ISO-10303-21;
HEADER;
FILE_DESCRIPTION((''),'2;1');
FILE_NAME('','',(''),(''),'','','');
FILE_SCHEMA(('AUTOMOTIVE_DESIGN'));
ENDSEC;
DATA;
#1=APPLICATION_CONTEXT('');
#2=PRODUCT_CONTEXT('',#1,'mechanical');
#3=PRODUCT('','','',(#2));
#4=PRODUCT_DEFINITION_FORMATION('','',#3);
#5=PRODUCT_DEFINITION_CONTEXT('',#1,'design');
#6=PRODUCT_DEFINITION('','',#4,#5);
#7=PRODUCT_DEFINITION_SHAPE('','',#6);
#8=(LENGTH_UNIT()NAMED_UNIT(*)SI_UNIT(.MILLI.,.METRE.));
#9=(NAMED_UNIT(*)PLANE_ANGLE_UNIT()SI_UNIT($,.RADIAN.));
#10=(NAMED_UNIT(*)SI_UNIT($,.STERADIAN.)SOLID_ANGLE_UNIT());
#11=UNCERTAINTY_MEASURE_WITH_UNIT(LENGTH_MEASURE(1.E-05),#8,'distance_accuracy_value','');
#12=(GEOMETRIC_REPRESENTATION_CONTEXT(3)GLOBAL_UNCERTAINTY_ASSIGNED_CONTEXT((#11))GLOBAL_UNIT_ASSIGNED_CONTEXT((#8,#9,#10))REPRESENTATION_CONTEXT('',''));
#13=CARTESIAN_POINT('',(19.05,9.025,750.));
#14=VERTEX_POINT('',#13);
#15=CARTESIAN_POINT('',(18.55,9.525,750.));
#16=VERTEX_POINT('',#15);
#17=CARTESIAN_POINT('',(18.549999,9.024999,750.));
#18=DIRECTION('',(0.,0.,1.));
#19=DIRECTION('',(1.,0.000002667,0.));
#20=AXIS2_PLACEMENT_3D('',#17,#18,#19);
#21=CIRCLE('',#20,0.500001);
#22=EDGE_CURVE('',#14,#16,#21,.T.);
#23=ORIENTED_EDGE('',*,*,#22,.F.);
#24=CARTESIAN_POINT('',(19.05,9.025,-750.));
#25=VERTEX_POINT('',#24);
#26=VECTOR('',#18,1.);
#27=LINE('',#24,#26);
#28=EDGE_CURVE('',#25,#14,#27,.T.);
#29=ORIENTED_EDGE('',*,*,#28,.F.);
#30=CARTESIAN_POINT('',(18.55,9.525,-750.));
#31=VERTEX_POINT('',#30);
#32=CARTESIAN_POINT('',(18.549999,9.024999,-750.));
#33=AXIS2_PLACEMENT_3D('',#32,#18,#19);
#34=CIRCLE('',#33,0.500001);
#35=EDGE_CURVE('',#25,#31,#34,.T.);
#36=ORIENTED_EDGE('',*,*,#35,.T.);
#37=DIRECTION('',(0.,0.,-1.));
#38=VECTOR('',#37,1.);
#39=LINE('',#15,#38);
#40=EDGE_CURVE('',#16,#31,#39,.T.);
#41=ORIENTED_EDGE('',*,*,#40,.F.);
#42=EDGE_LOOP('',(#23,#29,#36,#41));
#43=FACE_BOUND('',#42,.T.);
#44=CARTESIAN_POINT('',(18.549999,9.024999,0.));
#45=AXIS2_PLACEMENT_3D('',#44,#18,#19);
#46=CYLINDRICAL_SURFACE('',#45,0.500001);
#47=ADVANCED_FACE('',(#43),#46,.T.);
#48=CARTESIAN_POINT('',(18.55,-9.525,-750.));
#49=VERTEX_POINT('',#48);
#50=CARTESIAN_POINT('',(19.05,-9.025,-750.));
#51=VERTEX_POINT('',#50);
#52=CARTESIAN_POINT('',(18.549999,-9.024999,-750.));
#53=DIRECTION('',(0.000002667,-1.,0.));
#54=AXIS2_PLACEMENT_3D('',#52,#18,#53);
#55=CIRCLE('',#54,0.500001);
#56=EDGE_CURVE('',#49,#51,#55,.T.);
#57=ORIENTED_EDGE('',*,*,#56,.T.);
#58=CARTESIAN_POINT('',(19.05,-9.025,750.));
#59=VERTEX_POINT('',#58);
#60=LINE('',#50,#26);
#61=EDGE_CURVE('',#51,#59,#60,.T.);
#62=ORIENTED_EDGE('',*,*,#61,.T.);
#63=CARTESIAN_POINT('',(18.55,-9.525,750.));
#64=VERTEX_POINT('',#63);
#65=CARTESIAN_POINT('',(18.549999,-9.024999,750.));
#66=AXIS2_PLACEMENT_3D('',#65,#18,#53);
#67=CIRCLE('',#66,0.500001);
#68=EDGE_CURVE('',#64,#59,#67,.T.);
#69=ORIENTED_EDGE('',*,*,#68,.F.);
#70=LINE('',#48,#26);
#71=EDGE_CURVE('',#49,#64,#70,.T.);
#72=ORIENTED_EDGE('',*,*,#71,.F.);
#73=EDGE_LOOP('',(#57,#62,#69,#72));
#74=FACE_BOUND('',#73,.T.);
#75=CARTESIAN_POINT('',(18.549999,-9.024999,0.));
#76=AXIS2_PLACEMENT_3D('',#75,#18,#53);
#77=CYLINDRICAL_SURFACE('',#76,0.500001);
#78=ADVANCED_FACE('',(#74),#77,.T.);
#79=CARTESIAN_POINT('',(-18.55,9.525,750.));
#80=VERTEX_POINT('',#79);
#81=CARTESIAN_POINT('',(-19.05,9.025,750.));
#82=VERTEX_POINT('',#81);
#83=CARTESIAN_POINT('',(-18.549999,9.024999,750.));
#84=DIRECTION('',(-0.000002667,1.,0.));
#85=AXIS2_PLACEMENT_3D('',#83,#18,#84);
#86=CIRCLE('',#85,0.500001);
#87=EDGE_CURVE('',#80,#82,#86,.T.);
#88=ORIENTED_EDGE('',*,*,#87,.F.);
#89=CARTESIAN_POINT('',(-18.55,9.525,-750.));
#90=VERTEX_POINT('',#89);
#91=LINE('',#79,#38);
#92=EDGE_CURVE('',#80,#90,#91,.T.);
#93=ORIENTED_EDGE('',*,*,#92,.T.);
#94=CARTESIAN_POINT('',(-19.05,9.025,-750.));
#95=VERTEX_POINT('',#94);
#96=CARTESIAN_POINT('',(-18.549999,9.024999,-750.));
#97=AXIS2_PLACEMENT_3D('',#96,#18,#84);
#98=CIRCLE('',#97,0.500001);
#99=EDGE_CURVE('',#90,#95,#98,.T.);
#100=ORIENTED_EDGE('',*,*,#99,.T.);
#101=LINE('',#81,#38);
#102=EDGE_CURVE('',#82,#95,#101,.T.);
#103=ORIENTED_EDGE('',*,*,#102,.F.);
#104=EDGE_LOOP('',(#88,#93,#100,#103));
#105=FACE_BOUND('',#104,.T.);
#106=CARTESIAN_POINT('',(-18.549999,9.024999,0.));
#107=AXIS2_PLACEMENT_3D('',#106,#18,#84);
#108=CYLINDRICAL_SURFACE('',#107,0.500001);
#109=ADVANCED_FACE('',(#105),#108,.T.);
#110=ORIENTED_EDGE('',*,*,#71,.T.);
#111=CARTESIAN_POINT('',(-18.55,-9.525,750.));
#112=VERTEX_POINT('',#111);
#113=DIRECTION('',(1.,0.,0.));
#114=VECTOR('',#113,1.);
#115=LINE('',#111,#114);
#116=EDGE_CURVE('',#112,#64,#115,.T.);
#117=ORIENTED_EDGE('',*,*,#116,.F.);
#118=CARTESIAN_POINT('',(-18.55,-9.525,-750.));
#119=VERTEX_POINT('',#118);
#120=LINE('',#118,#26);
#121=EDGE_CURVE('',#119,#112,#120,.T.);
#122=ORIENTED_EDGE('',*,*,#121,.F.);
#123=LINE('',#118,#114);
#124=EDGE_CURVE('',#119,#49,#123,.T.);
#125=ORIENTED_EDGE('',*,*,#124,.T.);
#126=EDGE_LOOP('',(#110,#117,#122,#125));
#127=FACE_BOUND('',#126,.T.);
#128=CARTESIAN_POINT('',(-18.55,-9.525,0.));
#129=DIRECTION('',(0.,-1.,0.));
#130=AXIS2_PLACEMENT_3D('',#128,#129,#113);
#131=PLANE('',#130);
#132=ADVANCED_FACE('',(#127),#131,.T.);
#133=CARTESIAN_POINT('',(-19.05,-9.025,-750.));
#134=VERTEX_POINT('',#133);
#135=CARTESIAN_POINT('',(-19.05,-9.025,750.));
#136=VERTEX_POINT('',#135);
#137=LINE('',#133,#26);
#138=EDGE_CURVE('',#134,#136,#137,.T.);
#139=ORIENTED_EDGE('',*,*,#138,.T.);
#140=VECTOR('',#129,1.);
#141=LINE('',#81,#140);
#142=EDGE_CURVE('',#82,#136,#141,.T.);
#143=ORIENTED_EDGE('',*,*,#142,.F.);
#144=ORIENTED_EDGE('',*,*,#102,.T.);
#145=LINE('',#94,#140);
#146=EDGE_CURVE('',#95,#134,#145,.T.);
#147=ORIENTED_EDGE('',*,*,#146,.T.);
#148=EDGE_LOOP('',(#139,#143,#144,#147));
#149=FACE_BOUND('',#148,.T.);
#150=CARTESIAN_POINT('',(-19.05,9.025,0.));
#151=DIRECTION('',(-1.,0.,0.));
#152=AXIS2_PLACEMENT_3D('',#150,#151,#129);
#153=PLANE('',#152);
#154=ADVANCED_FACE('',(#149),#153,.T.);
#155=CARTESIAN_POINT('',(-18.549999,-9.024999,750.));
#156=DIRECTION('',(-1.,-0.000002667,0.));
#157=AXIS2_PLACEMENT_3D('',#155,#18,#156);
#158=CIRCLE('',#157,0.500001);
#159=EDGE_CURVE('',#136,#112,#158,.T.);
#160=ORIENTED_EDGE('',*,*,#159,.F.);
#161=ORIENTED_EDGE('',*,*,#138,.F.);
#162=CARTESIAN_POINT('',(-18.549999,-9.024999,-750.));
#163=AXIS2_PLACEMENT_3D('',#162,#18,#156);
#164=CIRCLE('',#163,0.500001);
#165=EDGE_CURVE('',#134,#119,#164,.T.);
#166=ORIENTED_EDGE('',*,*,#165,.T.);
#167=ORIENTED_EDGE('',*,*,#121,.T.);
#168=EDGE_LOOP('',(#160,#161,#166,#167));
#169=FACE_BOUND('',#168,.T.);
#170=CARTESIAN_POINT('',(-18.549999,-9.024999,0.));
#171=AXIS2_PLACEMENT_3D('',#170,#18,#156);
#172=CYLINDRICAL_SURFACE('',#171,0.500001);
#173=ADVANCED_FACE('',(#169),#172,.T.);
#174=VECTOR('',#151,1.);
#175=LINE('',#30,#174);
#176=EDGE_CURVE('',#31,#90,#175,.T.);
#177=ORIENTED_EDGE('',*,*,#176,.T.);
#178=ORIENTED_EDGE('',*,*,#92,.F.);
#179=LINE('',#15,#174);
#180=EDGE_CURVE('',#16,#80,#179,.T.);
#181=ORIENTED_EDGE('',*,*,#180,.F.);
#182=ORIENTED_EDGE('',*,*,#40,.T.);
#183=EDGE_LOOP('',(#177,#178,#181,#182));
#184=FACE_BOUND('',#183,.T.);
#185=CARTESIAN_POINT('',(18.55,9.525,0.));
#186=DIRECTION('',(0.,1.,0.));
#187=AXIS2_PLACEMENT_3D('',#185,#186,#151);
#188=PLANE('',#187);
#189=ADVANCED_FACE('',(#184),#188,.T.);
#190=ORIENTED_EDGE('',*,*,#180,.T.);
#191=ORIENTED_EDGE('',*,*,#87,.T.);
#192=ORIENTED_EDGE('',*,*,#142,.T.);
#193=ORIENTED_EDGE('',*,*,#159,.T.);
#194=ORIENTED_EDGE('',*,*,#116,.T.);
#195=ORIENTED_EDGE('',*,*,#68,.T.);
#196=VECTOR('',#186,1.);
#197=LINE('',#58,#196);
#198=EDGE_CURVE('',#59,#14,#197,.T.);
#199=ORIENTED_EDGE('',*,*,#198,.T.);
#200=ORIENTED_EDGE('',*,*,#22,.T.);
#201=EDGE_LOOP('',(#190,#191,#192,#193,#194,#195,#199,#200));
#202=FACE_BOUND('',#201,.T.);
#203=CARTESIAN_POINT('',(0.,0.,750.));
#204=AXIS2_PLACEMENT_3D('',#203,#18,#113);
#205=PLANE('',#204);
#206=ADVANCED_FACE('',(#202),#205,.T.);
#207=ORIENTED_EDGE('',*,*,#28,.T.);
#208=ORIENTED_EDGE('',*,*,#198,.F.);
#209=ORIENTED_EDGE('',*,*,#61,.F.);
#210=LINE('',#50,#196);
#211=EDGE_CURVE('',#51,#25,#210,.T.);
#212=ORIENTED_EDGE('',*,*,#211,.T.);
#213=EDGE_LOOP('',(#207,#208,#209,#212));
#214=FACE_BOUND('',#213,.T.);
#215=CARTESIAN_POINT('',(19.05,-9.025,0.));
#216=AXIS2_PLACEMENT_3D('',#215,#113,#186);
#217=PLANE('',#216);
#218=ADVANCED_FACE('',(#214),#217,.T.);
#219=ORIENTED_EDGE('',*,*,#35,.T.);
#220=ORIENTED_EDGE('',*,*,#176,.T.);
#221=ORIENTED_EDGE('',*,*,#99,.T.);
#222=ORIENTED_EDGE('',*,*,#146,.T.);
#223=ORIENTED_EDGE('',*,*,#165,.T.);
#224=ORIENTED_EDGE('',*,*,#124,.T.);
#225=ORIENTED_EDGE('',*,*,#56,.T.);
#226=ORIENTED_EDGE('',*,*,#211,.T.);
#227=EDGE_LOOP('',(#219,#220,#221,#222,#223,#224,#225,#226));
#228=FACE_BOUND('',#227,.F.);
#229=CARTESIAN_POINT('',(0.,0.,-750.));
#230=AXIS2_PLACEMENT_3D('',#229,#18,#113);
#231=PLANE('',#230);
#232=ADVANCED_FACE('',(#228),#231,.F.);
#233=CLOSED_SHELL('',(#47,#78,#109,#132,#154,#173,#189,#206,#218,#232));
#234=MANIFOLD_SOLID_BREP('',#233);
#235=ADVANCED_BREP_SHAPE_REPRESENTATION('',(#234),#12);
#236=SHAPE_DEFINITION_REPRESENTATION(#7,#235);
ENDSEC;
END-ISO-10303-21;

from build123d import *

# Parameters (mm, degrees)
PAD_DEPTH = 750


with BuildPart() as part:
    # Sketch → Pad (new body, symmetric)
    with BuildSketch(Plane.XY):
        with BuildLine():
            Line((-19.05, 9.025), (-19.05, -9.025))
            ThreePointArc((-19.05, -9.025), (-18.903553, -9.378553), (-18.55, -9.525))
            Line((-18.55, -9.525), (18.55, -9.525))
            ThreePointArc((18.55, -9.525), (18.903553, -9.378553), (19.05, -9.025))
            Line((19.05, -9.025), (19.05, 9.025))
            ThreePointArc((19.05, 9.025), (18.903553, 9.378553), (18.55, 9.525))
            Line((18.55, 9.525), (-18.55, 9.525))
            ThreePointArc((-18.55, 9.525), (-18.903553, 9.378553), (-19.05, 9.025))
        make_face()
    extrude(amount=PAD_DEPTH, both=True)


solid = part.part
